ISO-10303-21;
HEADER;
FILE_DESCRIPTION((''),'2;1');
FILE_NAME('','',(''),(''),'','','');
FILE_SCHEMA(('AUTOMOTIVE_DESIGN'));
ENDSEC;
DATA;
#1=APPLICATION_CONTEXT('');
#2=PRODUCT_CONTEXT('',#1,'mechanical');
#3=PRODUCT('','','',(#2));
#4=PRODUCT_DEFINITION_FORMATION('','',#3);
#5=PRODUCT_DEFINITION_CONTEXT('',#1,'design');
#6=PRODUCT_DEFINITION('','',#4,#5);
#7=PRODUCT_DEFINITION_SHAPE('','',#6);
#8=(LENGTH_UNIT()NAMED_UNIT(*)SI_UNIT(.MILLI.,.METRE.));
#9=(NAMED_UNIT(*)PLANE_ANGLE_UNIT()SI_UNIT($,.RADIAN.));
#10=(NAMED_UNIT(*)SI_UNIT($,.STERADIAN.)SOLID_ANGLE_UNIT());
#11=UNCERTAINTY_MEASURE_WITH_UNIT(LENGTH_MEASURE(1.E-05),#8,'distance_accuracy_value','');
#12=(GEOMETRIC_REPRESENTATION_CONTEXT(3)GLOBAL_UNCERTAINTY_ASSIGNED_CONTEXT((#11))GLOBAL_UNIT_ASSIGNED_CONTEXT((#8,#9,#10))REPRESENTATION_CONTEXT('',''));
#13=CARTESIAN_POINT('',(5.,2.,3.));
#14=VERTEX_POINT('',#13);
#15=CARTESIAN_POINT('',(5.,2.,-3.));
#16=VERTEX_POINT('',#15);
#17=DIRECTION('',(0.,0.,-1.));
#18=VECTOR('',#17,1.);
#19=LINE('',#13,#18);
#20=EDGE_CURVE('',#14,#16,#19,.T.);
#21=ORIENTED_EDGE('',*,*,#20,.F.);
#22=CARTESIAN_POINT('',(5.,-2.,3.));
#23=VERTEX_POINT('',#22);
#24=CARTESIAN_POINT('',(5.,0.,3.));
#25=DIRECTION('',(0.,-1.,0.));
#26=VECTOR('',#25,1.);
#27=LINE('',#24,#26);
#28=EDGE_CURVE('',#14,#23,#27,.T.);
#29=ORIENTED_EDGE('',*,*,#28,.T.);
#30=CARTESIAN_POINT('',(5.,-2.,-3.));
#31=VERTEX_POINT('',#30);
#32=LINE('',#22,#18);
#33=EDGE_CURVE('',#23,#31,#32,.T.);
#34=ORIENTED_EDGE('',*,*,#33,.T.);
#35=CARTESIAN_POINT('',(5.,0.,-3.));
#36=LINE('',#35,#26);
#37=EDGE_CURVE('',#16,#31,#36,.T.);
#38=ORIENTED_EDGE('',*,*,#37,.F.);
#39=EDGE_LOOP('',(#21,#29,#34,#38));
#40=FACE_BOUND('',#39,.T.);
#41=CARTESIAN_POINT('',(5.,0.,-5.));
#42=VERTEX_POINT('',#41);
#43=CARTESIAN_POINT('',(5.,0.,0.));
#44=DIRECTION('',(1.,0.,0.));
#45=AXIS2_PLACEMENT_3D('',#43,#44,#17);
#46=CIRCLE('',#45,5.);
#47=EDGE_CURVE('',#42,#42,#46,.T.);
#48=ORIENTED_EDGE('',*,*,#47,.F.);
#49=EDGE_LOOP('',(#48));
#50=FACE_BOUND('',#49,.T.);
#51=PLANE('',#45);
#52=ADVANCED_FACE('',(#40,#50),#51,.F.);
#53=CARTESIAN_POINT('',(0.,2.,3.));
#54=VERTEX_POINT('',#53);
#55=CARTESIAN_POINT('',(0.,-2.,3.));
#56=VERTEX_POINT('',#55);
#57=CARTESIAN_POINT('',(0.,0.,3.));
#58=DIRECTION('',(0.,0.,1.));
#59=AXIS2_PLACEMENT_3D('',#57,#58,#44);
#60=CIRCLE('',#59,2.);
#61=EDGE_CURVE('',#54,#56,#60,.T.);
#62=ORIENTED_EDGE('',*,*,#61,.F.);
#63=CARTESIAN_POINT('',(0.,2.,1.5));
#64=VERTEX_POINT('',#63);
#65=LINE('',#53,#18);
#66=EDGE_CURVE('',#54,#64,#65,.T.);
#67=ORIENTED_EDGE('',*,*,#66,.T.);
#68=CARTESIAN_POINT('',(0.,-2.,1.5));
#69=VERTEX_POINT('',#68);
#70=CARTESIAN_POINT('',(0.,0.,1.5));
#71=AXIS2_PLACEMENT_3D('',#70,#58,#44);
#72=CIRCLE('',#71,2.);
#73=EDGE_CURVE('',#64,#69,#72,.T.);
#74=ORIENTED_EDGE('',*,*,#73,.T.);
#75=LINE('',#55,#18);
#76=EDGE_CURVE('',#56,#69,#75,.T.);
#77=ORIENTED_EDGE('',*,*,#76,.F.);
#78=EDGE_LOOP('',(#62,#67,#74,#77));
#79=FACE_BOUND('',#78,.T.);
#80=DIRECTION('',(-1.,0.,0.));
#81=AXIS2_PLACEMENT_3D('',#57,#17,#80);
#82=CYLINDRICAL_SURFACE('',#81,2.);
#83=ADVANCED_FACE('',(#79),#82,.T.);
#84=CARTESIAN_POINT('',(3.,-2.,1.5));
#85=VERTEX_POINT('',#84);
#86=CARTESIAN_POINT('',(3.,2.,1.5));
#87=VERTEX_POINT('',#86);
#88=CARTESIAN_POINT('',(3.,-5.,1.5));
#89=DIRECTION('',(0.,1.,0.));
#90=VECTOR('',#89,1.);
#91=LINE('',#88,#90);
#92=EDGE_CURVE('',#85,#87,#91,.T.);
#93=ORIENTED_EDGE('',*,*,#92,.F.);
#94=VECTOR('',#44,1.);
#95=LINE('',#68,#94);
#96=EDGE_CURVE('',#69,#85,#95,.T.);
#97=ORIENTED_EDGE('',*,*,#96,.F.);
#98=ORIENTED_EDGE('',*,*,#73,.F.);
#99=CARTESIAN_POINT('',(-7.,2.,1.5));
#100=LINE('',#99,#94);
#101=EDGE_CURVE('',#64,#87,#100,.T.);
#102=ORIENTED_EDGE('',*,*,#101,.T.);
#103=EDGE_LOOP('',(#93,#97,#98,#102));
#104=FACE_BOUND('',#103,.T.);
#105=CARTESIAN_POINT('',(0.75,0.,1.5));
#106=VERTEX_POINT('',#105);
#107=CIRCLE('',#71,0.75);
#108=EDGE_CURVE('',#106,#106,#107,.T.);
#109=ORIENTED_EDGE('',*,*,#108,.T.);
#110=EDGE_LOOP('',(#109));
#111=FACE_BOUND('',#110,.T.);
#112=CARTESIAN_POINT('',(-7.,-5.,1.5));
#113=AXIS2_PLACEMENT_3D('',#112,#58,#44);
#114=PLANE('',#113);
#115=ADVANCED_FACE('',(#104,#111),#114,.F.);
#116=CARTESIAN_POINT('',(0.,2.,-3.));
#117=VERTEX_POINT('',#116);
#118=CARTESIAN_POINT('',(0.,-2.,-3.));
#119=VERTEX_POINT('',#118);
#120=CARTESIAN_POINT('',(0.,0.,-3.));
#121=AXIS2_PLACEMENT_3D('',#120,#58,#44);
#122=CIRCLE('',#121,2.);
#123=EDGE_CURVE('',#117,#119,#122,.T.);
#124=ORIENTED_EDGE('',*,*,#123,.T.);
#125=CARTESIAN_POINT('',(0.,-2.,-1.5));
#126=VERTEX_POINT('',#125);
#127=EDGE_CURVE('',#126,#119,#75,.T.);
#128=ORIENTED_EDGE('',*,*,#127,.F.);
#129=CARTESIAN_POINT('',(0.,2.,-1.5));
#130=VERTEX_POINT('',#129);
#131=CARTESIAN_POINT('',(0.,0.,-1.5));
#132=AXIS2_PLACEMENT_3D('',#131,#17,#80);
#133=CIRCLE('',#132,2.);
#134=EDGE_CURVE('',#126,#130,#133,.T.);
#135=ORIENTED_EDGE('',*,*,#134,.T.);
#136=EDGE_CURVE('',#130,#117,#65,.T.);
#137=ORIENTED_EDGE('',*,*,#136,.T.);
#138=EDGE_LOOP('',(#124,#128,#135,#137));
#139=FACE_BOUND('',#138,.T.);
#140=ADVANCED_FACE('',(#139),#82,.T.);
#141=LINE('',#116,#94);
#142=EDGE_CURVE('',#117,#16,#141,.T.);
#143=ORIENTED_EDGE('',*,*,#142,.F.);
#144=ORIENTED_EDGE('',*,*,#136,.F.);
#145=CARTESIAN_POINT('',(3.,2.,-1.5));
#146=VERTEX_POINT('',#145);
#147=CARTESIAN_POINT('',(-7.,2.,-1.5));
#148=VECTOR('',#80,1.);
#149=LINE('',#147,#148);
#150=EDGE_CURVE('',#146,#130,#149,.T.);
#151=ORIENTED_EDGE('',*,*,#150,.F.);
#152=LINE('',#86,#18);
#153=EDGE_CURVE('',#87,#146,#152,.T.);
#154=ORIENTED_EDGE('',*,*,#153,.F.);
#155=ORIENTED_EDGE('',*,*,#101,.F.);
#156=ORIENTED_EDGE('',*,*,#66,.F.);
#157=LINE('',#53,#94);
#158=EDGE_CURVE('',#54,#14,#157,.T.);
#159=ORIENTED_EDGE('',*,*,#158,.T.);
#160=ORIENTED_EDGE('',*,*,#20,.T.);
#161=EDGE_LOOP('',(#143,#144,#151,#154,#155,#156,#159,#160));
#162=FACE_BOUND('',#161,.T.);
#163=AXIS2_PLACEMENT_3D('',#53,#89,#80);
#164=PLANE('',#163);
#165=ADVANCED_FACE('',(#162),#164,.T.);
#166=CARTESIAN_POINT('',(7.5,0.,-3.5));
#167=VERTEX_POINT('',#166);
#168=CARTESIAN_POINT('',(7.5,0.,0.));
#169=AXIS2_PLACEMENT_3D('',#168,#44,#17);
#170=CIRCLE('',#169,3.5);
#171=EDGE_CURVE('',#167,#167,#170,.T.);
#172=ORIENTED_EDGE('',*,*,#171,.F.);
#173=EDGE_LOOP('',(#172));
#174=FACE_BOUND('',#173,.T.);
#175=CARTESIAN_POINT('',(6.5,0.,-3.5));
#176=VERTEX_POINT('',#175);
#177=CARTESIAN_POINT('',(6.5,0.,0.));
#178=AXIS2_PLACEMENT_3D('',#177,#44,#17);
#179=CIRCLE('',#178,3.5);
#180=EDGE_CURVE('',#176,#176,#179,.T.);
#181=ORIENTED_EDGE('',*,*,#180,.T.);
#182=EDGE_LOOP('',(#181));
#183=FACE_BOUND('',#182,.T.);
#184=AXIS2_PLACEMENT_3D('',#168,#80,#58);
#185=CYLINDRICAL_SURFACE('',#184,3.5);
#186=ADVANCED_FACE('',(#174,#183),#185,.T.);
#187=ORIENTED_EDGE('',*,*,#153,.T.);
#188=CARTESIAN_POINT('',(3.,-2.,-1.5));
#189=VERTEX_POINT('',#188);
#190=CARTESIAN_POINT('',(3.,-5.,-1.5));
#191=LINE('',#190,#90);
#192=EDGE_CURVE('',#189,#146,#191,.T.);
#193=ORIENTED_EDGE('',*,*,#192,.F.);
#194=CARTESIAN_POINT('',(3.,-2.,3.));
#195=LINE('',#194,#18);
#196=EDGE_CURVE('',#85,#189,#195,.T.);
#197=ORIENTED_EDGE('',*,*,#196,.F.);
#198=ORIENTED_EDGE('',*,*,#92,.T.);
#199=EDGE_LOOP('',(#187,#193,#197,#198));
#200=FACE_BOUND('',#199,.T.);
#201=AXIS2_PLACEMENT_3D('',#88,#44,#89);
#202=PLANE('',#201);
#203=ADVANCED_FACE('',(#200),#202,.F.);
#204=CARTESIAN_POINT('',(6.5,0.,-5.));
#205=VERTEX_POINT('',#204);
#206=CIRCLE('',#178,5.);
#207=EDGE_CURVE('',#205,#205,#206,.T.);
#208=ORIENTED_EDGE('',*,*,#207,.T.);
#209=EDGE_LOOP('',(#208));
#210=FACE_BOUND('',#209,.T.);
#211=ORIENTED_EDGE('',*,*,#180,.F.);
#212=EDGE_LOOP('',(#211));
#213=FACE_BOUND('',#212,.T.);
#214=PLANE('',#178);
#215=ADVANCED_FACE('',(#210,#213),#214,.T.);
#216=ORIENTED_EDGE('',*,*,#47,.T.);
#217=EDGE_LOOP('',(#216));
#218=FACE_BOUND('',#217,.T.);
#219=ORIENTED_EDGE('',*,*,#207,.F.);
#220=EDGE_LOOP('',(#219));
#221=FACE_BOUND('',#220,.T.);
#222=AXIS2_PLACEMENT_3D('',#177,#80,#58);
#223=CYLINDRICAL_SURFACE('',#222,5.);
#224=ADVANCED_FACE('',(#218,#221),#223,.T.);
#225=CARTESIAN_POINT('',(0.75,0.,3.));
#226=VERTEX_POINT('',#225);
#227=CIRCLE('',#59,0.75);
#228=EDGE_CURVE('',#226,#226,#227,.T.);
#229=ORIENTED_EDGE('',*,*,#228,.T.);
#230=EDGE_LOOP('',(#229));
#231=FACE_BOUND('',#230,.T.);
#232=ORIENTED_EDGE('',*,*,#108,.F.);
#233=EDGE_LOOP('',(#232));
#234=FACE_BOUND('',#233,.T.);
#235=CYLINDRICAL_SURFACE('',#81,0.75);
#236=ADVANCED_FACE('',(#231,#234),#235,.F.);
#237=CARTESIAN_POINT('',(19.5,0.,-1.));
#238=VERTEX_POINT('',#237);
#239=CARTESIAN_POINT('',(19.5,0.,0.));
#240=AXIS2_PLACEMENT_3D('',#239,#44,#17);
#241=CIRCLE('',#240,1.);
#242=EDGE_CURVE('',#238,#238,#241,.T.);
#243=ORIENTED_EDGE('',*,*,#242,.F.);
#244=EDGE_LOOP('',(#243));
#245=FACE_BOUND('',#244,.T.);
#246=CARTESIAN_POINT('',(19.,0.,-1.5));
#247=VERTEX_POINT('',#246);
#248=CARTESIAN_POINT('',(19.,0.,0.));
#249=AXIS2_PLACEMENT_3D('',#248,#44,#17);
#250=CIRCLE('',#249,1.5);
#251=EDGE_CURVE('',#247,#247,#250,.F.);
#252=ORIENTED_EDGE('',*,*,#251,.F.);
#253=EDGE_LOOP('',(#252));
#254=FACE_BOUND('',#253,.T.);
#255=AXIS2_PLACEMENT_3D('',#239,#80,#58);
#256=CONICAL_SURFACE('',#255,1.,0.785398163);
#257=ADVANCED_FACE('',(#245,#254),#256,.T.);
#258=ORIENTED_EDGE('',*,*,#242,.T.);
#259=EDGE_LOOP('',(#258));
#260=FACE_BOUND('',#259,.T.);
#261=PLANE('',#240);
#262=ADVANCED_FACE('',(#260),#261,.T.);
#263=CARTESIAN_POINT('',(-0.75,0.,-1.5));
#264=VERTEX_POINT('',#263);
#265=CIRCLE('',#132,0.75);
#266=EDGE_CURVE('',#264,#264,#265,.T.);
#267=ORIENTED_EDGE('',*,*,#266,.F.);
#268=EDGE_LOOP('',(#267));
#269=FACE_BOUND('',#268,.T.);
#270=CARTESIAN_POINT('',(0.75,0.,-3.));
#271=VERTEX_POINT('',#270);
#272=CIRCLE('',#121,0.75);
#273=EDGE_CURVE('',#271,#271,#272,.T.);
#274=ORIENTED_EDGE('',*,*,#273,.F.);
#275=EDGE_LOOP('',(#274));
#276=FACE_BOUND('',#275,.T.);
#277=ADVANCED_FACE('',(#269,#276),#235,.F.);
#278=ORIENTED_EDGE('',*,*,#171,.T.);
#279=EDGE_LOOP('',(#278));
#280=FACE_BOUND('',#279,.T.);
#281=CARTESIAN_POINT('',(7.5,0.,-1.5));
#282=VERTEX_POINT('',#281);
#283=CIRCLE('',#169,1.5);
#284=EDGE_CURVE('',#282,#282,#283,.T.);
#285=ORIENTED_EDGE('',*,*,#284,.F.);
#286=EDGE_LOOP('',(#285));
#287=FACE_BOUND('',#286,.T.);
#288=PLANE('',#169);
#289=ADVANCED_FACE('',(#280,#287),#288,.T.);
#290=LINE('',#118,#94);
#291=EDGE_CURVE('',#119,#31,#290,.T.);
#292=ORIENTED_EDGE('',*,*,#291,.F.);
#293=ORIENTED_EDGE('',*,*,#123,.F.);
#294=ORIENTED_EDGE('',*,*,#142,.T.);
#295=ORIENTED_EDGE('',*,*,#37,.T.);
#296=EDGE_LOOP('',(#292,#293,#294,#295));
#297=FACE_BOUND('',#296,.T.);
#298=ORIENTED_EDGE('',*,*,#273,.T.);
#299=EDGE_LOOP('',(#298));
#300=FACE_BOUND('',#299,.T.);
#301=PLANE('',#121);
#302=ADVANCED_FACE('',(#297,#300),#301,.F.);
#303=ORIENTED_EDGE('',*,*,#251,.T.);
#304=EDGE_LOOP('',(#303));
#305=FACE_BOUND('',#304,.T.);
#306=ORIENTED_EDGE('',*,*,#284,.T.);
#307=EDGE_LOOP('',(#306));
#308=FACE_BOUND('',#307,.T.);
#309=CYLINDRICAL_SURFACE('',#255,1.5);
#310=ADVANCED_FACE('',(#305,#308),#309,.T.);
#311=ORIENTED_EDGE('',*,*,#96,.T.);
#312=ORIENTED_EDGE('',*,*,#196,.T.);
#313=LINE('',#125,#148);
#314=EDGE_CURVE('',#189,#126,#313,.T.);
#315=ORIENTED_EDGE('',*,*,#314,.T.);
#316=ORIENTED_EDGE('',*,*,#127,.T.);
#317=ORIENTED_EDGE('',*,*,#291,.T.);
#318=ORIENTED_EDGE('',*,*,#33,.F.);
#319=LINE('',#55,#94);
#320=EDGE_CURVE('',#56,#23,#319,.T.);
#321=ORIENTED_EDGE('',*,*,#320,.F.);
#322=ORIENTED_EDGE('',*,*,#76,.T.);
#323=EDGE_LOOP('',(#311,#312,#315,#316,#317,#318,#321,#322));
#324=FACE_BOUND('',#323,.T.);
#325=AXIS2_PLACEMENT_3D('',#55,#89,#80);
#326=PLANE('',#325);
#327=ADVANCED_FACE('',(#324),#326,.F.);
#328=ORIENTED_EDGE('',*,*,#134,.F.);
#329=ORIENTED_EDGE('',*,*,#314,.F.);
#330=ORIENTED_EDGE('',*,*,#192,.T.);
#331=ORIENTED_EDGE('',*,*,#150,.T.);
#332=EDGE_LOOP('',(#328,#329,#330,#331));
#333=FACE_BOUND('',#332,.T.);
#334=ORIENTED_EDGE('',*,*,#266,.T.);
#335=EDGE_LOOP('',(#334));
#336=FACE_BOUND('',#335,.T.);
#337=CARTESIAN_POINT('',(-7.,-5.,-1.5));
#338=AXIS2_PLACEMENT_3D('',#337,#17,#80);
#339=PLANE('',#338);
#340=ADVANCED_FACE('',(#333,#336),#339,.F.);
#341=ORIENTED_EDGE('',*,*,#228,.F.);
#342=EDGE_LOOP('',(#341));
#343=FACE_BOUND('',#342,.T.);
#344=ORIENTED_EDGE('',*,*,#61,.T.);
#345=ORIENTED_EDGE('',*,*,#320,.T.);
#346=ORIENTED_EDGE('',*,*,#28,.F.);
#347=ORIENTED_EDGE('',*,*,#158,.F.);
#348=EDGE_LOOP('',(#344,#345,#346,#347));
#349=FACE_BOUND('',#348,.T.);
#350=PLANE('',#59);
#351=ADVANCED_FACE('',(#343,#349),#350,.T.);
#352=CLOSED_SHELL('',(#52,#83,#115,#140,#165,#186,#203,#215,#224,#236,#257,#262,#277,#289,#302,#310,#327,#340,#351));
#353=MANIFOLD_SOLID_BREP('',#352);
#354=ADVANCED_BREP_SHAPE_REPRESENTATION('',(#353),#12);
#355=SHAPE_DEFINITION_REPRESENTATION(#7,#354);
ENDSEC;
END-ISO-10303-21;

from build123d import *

# Parameters (mm, degrees)
EXTRUDE_1_DEPTH     = 3
SKETCH_2_R          = 5
EXTRUDE_2_DEPTH     = 1.5
SKETCH_3_R          = 3.5
EXTRUDE_3_DEPTH     = 1
SKETCH_4_R          = 1.5
EXTRUDE_4_DEPTH     = 12
SKETCH_5_W          = 10
SKETCH_5_H          = 3
CUT_EXTRUDE_1_DEPTH = 22.313141486
CHAMFER_1_SIZE      = 0.5


with BuildPart() as part:
    # 草图1 → 凸台-拉伸1 (new, symmetric)
    with BuildSketch(Plane.XY):
        with BuildLine():
            Line((5, 2), (0, 2))
            ThreePointArc((0, 2), (1.414213562, 1.414213562), (2, 0))
            ThreePointArc((2, 0), (1.414213562, -1.414213562), (0, -2))
            Line((0, -2), (5, -2))
            Line((5, -2), (5, 2))
        make_face()
        with BuildLine():
            ThreePointArc((2, 0), (1.414213562, 1.414213562), (0, 2))
            Line((0, 2), (0, 0.75))
            ThreePointArc((0, 0.75), (0.530330086, 0.530330086), (0.75, 0))
            ThreePointArc((0.75, 0), (0.530330086, -0.530330086), (0, -0.75))
            Line((0, -0.75), (0, -2))
            ThreePointArc((0, -2), (1.414213562, -1.414213562), (2, 0))
        make_face()
        with BuildLine():
            Line((0, 0.75), (0, 2))
            ThreePointArc((0, 2), (-2, 0), (0, -2))
            Line((0, -2), (0, -0.75))
            ThreePointArc((0, -0.75), (-0.75, 0), (0, 0.75))
        make_face()
    extrude(amount=EXTRUDE_1_DEPTH, both=True)

    # 草图2 → 凸台-拉伸2 (add)
    with BuildSketch(Plane(origin=(5, 0, 0), x_dir=(0, 0, -1), z_dir=(1, 0, 0))):
        Circle(SKETCH_2_R)
    extrude(amount=EXTRUDE_2_DEPTH)

    # 草图3 → 凸台-拉伸3 (add)
    with BuildSketch(Plane(origin=(6.5, 0, 0), x_dir=(0, 0, -1), z_dir=(1, 0, 0))):
        Circle(SKETCH_3_R)
    extrude(amount=EXTRUDE_3_DEPTH)

    # 草图4 → 凸台-拉伸4 (add)
    with BuildSketch(Plane(origin=(7.5, 0, 0), x_dir=(0, 0, -1), z_dir=(1, 0, 0))):
        Circle(SKETCH_4_R)
    extrude(amount=EXTRUDE_4_DEPTH)

    # 草图5 → 切除-拉伸1 (cut, through all)
    with BuildSketch(Plane(origin=(0, 2, 0), x_dir=(1, 0, 0), z_dir=(0, 1, 0))):
        with Locations((-2, 0)):
            Rectangle(SKETCH_5_W, SKETCH_5_H)
    extrude(amount=-CUT_EXTRUDE_1_DEPTH, mode=Mode.SUBTRACT)

    # 倒角1
    chamfer_1_edges = [part.edges().sort_by_distance(p)[0] for p in [
        (19.5, 0, 1.5),
    ]]
    chamfer(chamfer_1_edges, length=CHAMFER_1_SIZE)


solid = part.part
